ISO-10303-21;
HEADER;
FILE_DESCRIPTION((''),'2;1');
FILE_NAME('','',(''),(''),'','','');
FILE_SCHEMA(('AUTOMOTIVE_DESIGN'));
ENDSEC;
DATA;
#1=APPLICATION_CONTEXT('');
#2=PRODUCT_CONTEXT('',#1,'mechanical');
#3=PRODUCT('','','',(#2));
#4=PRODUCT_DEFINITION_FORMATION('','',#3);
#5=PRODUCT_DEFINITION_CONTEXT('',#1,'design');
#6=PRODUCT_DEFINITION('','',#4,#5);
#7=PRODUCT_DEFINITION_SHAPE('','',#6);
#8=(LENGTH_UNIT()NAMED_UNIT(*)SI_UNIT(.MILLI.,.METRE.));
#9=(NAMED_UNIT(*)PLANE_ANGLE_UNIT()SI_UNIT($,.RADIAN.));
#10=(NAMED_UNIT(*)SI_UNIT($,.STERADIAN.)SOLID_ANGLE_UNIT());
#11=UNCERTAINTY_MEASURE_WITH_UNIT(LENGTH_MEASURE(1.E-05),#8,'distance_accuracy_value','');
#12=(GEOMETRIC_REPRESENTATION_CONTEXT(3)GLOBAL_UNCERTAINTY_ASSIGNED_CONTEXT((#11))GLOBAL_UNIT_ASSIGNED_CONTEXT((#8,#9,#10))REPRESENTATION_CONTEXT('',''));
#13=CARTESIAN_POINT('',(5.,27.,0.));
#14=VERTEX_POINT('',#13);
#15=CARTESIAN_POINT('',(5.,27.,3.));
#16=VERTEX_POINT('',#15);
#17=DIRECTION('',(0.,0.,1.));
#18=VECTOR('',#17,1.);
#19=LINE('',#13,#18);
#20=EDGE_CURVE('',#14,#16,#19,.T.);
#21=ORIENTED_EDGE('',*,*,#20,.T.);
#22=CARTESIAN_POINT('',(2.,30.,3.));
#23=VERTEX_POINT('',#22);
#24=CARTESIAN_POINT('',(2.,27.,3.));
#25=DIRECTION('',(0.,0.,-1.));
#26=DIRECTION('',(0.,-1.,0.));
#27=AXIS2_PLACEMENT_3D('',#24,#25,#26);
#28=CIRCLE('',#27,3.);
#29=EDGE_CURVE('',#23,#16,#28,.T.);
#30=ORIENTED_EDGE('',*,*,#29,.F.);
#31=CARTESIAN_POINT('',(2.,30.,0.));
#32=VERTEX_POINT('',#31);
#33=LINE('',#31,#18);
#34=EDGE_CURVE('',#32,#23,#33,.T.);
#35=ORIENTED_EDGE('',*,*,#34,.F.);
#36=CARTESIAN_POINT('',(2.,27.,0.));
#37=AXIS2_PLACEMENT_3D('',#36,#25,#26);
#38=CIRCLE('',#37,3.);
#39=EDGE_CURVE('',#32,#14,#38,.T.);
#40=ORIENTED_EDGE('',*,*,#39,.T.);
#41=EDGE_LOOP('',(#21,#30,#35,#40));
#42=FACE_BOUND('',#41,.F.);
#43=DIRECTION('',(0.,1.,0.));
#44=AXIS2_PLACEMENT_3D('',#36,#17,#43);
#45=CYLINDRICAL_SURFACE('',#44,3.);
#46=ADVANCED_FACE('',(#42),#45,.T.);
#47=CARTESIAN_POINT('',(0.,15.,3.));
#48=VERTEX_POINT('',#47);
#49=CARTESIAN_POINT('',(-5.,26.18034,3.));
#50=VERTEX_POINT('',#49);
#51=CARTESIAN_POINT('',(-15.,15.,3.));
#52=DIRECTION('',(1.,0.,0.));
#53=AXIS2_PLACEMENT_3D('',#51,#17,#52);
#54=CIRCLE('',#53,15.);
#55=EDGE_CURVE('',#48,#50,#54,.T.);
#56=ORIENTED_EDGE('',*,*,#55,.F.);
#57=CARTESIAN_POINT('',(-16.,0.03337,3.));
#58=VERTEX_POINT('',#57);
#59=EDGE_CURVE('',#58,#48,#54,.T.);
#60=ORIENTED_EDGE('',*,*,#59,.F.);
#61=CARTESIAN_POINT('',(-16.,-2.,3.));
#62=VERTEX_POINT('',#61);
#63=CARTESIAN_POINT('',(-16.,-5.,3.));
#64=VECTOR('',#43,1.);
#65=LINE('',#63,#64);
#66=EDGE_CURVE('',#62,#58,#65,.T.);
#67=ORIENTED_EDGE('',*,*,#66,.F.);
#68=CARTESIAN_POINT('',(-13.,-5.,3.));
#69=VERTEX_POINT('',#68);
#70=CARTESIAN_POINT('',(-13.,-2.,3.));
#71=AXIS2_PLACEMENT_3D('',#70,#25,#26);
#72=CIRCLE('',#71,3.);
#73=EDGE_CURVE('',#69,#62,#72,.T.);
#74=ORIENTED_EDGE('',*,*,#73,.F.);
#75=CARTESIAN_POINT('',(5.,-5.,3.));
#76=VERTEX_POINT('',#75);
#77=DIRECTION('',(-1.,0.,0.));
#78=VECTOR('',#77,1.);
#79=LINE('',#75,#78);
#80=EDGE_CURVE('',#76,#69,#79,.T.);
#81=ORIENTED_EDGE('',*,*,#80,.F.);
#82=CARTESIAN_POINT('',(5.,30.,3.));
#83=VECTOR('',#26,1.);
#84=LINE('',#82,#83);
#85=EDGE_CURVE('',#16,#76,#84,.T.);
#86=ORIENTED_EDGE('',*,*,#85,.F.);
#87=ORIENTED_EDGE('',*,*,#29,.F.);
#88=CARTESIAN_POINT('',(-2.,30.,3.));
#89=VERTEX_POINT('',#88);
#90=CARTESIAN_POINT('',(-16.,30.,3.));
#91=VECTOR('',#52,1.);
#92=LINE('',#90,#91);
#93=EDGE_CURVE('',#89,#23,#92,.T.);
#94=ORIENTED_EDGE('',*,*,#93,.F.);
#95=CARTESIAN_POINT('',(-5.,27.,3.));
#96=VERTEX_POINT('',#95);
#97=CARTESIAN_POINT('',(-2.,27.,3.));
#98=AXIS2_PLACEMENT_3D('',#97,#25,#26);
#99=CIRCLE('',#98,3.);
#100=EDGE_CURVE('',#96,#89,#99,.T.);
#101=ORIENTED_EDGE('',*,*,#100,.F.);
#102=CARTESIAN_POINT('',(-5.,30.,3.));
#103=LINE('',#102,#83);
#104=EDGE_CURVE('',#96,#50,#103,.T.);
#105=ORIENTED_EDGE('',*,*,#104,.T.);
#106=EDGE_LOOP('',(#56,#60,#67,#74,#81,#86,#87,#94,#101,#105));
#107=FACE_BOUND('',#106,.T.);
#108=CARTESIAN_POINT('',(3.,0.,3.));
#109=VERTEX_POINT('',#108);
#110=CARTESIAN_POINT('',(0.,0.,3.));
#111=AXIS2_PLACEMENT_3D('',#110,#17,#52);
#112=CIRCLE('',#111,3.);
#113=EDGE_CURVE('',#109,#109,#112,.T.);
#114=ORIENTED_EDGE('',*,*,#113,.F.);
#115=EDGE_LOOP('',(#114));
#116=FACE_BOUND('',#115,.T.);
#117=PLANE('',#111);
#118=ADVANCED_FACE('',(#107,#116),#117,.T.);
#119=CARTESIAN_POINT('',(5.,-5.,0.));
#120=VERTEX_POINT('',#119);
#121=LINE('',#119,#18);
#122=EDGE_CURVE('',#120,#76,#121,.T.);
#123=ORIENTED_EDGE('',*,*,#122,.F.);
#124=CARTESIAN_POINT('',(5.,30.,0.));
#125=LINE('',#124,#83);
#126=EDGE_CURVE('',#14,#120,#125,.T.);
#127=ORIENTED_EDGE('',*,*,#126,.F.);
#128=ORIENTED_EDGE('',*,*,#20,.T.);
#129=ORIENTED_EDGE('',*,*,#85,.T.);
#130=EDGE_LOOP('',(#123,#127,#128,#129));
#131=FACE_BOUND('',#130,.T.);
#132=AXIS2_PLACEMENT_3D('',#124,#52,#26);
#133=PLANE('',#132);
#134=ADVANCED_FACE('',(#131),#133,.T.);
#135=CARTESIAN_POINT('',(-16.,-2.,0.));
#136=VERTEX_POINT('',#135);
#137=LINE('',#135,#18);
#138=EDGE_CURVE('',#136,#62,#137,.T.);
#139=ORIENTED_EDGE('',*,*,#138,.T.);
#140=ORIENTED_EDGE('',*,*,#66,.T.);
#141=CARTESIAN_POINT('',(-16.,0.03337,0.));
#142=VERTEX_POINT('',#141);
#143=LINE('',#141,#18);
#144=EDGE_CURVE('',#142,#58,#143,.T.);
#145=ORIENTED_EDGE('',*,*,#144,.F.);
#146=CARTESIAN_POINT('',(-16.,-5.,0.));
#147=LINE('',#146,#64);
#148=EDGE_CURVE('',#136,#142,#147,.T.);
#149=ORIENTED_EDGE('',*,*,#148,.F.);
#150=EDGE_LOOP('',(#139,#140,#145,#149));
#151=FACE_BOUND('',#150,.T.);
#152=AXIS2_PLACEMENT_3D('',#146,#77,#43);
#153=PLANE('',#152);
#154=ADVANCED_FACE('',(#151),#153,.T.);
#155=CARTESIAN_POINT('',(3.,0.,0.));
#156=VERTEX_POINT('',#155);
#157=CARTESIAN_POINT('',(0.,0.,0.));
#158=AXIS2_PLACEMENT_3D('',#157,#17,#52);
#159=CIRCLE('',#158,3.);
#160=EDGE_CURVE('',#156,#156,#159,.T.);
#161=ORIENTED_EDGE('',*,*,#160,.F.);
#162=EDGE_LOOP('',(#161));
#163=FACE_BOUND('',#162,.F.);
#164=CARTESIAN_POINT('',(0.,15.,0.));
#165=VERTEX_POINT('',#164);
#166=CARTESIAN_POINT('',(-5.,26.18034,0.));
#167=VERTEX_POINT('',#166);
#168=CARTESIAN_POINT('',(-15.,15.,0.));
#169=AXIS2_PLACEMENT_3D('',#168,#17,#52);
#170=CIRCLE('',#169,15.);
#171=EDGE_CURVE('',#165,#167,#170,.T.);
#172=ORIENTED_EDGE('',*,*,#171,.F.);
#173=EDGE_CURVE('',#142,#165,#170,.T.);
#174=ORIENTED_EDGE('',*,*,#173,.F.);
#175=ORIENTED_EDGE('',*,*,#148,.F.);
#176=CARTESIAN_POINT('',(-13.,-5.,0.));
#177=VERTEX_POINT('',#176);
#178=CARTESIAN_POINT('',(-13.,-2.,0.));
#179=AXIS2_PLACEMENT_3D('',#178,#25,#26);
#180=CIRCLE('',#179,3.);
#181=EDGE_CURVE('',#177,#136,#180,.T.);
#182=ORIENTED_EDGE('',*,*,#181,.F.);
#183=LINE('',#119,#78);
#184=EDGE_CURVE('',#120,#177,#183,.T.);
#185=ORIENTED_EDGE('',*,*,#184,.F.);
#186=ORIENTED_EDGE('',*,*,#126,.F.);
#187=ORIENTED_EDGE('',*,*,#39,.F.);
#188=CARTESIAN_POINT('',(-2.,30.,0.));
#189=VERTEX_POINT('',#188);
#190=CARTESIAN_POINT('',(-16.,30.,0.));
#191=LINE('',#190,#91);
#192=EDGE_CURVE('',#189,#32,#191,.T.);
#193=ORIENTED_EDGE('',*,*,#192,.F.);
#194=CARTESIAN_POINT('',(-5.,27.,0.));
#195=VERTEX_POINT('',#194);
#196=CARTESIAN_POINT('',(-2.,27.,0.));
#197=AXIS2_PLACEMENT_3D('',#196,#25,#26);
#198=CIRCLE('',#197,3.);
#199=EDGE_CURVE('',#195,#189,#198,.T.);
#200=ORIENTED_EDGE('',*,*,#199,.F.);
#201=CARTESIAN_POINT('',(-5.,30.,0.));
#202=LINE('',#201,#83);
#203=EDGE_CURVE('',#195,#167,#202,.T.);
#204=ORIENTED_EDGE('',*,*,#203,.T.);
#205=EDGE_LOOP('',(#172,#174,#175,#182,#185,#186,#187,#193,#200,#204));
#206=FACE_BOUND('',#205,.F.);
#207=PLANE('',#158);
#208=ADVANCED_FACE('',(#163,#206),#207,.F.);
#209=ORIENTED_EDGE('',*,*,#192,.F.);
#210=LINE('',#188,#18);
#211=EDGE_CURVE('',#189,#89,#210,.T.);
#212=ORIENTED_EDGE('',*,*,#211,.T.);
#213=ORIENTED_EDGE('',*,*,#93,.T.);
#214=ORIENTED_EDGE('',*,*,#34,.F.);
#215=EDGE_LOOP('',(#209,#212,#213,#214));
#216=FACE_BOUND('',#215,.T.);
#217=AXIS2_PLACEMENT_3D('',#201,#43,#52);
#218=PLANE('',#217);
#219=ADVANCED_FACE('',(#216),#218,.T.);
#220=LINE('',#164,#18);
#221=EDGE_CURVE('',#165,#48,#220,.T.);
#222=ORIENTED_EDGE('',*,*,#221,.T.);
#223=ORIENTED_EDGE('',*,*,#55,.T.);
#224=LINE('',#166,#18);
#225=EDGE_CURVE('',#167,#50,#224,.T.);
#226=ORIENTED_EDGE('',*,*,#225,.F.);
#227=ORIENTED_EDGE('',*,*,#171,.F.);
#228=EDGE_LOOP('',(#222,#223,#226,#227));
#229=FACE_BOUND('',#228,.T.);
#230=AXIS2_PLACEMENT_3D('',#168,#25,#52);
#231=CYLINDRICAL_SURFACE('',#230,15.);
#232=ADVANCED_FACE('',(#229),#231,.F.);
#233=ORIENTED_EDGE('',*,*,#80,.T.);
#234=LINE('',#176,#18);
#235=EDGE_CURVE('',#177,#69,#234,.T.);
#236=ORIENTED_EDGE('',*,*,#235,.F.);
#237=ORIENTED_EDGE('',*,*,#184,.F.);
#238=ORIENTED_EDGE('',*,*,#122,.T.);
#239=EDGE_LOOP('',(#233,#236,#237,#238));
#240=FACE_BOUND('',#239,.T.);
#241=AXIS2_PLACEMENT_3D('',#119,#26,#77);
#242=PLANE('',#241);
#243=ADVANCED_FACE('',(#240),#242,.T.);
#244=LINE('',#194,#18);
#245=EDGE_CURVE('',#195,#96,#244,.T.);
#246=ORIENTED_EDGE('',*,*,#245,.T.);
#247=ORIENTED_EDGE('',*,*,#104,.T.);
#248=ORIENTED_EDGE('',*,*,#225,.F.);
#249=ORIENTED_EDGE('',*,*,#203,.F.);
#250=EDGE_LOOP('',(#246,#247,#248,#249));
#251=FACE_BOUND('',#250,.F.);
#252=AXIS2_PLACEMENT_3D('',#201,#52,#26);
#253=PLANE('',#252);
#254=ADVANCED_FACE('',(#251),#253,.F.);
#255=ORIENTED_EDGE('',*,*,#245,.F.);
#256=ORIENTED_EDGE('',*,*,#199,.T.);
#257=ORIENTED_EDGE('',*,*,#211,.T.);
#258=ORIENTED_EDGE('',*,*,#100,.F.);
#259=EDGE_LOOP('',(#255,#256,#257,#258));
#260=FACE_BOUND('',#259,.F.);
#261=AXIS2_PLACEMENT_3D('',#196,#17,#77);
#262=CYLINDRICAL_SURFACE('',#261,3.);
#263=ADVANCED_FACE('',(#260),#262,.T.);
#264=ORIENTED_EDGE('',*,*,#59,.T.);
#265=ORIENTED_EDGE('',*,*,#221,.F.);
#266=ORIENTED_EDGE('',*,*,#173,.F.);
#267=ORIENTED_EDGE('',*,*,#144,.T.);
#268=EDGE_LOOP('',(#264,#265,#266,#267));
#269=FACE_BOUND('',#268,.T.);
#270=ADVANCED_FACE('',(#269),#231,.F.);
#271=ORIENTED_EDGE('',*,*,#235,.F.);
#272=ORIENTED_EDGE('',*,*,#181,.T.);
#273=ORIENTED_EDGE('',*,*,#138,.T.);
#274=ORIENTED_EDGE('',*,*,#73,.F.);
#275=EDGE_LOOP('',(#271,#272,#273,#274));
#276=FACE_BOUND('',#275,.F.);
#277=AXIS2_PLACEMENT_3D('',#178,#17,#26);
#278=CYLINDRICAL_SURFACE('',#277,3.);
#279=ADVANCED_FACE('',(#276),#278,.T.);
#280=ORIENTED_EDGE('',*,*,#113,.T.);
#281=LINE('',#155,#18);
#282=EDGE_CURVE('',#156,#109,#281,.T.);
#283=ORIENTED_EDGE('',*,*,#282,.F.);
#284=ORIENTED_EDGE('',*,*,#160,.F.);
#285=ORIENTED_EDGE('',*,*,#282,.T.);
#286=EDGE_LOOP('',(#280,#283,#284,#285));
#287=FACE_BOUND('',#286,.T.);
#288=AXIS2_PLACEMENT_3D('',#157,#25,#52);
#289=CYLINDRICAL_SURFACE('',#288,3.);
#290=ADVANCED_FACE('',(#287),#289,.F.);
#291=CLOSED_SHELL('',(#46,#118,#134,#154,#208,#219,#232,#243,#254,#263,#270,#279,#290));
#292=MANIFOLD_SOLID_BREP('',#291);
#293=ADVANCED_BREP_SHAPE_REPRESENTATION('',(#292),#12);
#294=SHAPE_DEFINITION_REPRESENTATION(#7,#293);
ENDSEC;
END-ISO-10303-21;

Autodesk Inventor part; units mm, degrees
ref_plane "YZ Plane" through (0, 0, 0) normal (1, 0, 0) x (0, 1, 0)
ref_plane "XZ Plane" through (0, 0, 0) normal (0, 1, 0) x (-1, 0, 0)
ref_plane "XY Plane" through (0, 0, 0) normal (0, 0, 1) x (1, 0, 0)
sketch "Sketch1" plane through (0, 0, 0) normal (0, 0, 1) x (1, 0, 0)
  circle A0 centre (0, 0) radius 3
  line L0 (5, -5) -> (-16, -5)
  line L1 (-16, -5) -> (-16, 30)
  line L2 (-16, 30) -> (5, 30)
  line L3 (5, 30) -> (5, -5)
  circle A1 centre (-15, 15) radius 15
  line L4 (-16, 30) -> (-5, 30)
  line L5 (-5, 30) -> (-5, 25)
  line L6 (-5, 25) -> (-16, 25)
  line L7 (-16, 25) -> (-16, 30)
  dimension "d0" = 6
  dimension "d1" = 5
  dimension "d2" = 5
  dimension "d5" = 30
  dimension "d6" = 15
  dimension "d7" = 15
  dimension "d8" = 35
  dimension "d9" = 11
  dimension "d15" = 21
  dimension "d16" = 5
extrude "Extrusion1" add sketch "Sketch1" along normal blind 3 contours L0 L1 A1 L5 L2 L3
fillet "Fillet1" radius 3 3 edges at (-5, 30, 1.5) (5, 30, 1.5) (-16, -5, 1.5)
equation "\"d7\" = d6"
properties part number "Pancake_Reverse Lever" material "Nylon 6/6"
